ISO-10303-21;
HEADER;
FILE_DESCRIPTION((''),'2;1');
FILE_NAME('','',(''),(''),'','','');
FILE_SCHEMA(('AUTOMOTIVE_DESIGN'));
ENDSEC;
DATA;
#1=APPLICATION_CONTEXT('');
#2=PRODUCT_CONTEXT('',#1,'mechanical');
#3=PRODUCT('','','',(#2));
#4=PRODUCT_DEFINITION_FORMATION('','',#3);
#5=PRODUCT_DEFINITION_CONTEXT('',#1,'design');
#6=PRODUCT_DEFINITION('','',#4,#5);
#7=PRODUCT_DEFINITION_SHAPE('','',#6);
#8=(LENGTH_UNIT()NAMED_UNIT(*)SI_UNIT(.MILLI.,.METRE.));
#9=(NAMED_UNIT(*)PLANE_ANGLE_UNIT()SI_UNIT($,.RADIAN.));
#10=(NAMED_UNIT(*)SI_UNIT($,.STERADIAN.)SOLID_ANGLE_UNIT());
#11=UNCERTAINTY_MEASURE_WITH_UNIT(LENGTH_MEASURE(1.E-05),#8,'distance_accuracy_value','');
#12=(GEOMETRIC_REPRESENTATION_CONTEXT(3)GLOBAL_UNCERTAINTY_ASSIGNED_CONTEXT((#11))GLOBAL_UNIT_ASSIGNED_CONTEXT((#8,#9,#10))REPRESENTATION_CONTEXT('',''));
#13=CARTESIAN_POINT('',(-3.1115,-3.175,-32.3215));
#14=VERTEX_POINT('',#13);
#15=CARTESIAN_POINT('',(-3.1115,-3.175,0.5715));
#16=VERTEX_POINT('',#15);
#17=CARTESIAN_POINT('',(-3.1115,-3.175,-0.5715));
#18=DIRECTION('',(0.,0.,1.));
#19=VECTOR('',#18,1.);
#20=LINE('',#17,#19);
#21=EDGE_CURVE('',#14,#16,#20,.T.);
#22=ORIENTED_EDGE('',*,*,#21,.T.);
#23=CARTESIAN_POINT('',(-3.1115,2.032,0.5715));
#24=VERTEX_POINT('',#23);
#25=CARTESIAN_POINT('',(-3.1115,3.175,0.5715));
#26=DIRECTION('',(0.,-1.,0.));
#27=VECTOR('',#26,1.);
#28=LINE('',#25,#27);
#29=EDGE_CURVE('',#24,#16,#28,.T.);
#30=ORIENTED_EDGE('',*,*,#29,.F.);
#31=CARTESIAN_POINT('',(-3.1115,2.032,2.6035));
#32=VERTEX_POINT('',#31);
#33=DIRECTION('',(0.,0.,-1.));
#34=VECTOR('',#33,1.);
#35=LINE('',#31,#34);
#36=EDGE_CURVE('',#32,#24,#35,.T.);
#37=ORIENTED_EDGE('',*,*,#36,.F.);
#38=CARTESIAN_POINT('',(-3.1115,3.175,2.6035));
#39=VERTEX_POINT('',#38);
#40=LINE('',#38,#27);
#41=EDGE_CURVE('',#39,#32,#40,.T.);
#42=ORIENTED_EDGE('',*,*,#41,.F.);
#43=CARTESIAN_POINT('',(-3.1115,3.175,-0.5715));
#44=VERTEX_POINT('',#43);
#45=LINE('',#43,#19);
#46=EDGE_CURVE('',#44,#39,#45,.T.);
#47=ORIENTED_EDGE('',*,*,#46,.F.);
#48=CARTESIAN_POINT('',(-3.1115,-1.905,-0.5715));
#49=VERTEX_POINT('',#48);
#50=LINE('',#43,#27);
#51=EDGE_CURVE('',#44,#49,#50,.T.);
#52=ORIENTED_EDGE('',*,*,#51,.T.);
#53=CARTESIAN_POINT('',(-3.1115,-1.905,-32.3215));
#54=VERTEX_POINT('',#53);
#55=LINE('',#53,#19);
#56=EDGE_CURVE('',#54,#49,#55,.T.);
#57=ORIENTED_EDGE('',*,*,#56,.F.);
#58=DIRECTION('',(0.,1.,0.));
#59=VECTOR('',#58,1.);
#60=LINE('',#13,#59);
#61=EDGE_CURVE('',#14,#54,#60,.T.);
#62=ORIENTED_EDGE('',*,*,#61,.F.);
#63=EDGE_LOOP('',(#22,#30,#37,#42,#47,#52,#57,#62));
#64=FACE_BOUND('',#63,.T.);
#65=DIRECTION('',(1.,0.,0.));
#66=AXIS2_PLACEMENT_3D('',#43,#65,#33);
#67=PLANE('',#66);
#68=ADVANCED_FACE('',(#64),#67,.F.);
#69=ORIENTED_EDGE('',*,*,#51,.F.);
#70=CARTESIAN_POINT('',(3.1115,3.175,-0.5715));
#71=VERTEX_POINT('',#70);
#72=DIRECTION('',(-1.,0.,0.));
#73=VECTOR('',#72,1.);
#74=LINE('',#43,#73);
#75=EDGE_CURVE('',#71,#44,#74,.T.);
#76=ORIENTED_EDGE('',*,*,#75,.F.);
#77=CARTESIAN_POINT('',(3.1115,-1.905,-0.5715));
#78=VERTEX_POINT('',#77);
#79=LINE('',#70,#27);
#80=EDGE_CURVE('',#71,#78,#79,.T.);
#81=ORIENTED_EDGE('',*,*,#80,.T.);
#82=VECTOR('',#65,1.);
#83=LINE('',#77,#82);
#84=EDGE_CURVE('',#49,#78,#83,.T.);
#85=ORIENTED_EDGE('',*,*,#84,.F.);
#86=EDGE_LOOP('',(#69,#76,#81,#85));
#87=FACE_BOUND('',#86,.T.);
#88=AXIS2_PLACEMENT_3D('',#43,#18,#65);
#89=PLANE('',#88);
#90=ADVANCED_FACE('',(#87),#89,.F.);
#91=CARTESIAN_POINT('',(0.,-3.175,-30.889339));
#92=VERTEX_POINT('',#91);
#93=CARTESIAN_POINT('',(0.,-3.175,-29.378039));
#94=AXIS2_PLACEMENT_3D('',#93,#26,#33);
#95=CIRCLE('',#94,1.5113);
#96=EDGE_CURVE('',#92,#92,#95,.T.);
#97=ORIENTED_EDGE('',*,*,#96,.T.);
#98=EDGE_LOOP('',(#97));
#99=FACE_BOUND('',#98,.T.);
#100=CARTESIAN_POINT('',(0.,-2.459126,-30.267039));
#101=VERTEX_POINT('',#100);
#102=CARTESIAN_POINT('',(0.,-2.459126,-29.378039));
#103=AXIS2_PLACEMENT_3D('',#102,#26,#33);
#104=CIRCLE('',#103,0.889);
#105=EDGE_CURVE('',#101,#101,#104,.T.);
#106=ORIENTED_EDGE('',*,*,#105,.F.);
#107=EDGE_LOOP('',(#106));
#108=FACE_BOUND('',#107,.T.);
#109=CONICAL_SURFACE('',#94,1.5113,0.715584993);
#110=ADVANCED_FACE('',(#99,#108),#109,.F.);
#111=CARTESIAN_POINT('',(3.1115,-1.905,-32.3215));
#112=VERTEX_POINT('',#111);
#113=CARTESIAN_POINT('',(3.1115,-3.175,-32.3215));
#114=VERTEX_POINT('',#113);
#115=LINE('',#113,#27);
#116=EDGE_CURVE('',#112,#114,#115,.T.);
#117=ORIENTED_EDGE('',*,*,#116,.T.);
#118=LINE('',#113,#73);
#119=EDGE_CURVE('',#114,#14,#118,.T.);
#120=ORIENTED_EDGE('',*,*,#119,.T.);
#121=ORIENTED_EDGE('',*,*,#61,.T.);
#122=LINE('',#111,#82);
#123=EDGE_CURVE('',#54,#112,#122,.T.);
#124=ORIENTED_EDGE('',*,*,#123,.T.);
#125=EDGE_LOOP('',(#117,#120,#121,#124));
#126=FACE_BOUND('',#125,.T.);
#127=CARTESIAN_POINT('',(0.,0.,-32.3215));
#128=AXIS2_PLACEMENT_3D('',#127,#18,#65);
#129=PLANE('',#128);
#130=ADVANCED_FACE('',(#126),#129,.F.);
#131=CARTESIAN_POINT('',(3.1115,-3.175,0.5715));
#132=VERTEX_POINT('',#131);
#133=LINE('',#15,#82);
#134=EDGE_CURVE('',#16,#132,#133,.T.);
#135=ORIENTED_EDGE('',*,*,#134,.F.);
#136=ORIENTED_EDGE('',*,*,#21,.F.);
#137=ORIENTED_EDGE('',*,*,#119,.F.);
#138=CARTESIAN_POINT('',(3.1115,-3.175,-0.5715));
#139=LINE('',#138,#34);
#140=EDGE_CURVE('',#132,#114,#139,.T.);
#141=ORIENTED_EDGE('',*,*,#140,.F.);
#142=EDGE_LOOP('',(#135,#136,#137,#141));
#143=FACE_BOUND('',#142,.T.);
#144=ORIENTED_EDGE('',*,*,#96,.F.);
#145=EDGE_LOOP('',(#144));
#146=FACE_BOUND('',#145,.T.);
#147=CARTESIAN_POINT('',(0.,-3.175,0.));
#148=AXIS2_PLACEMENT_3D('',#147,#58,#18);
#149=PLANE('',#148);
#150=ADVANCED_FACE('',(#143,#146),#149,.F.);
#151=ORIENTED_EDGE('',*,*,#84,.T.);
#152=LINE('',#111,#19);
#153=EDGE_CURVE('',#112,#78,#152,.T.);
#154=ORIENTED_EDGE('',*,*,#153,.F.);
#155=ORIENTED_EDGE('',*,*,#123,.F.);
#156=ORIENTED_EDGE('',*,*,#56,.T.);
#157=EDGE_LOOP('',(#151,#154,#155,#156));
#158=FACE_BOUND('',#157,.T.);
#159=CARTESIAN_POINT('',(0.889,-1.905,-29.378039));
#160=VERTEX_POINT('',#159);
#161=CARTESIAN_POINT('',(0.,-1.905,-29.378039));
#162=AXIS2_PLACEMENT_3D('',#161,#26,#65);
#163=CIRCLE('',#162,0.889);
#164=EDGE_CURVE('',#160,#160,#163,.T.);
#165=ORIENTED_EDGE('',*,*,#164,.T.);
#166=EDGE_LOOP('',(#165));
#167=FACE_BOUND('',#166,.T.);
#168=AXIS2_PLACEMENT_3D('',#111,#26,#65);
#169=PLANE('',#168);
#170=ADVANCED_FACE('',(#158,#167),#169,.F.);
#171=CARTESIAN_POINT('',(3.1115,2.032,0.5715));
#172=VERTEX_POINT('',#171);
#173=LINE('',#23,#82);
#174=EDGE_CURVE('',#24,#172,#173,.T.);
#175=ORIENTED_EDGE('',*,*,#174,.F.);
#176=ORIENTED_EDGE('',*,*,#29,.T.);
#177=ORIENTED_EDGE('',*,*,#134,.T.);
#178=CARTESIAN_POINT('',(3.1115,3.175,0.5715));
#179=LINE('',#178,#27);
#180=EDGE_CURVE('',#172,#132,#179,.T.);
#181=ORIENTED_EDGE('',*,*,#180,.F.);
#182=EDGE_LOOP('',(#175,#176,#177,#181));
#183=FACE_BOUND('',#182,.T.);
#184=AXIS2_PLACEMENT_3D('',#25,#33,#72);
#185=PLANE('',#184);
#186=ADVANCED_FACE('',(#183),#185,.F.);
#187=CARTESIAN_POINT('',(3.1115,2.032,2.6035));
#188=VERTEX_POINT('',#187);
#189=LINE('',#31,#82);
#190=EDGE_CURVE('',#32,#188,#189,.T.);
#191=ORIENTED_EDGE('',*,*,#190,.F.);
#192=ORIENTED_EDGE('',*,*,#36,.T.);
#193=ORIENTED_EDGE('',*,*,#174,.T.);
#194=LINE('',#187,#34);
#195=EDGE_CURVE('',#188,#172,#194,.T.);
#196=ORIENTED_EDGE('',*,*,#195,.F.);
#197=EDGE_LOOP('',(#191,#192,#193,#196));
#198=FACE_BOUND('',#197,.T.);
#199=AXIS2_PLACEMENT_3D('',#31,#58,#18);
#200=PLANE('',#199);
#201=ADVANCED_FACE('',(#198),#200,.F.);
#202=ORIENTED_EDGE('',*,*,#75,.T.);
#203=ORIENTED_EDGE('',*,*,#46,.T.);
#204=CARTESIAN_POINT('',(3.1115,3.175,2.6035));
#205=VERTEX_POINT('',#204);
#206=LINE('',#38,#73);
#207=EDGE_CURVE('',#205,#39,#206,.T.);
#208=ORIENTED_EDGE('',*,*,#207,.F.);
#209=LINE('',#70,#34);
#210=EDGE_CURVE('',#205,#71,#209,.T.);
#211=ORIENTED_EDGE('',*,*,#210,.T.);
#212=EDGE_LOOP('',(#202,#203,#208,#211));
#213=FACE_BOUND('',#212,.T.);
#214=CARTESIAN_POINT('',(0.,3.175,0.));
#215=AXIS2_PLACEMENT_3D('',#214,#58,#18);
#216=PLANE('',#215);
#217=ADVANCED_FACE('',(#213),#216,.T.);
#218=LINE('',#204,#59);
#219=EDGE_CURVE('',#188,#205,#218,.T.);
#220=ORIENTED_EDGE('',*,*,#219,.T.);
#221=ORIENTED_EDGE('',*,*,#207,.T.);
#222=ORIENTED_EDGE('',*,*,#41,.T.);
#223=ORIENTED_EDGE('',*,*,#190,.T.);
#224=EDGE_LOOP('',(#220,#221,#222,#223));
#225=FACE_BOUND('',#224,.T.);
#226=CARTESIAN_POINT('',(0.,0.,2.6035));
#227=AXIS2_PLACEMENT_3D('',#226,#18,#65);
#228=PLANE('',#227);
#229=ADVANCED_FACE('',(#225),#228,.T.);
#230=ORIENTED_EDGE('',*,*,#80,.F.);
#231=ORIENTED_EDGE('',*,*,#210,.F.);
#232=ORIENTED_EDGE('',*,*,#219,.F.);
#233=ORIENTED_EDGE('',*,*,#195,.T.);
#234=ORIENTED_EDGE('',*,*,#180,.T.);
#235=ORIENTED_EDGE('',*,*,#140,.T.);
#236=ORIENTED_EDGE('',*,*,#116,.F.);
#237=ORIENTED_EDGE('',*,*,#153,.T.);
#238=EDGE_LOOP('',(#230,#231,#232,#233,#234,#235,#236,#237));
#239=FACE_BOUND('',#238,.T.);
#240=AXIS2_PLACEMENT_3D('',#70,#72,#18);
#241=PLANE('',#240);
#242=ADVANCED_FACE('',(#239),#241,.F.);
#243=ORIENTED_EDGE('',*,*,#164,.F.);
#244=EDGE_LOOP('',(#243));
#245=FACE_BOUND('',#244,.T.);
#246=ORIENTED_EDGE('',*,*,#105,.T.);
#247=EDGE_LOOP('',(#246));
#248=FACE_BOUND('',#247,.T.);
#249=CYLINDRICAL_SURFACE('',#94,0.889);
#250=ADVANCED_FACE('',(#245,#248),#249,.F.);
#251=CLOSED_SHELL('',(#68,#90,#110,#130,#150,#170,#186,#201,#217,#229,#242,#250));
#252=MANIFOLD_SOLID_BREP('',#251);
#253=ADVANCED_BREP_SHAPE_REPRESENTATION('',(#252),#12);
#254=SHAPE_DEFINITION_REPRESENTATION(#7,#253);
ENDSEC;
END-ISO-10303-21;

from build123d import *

# Parameters (mm, degrees)
SKETCH1_W                                      = 6.223
SKETCH1_H                                      = 1.143
BOSS_EXTRUDE1_DEPTH                            = 3.175
SKETCH2_W                                      = 6.223
SKETCH2_H                                      = 1.143
BOSS_EXTRUDE2_DEPTH                            = 2.032
SKETCH3_W                                      = 6.223
SKETCH3_H                                      = 1.27
BOSS_EXTRUDE3_DEPTH                            = 31.75
CSK_FOR_0_FLAT_HEAD_MACHINE_SCREW1_D           = 1.778
CSK_FOR_0_FLAT_HEAD_MACHINE_SCREW1_DEPTH       = 4.572
CSK_FOR_0_FLAT_HEAD_MACHINE_SCREW1_CSINK_D     = 3.0226
CSK_FOR_0_FLAT_HEAD_MACHINE_SCREW1_CSINK_ANGLE = 82
CSK_FOR_0_FLAT_HEAD_MACHINE_SCREW1_TIP         = 0.53416509


with BuildPart() as part:
    # Sketch1 → Boss-Extrude1 (new, symmetric)
    with BuildSketch(Plane(origin=(0, 0, 0), x_dir=(1, 0, 0), z_dir=(0, 1, 0))):
        Rectangle(SKETCH1_W, SKETCH1_H)
    extrude(amount=BOSS_EXTRUDE1_DEPTH, both=True)

    # Sketch2 → Boss-Extrude2 (add)
    with BuildSketch(Plane.XY.offset(0.5715)):
        with Locations((0, 2.6035)):
            Rectangle(SKETCH2_W, SKETCH2_H)
    extrude(amount=BOSS_EXTRUDE2_DEPTH)

    # Sketch3 → Boss-Extrude3 (add)
    with BuildSketch(Plane(origin=(0, 0, -0.5715), x_dir=(-1, 0, 0), z_dir=(0, 0, -1))):
        with Locations((0, -2.54)):
            Rectangle(SKETCH3_W, SKETCH3_H)
    extrude(amount=BOSS_EXTRUDE3_DEPTH)

    # CSK for #0 Flat Head Machine Screw1
    with Locations(Plane(origin=(0, -3.175, 0), x_dir=(-1, 0, 0), z_dir=(0, -1, 0))):
        with Locations((0, 29.378038883)):
            CounterSinkHole(CSK_FOR_0_FLAT_HEAD_MACHINE_SCREW1_D / 2, CSK_FOR_0_FLAT_HEAD_MACHINE_SCREW1_CSINK_D / 2, depth=CSK_FOR_0_FLAT_HEAD_MACHINE_SCREW1_DEPTH, counter_sink_angle=CSK_FOR_0_FLAT_HEAD_MACHINE_SCREW1_CSINK_ANGLE)
            with Locations((0, 0, -(CSK_FOR_0_FLAT_HEAD_MACHINE_SCREW1_DEPTH + CSK_FOR_0_FLAT_HEAD_MACHINE_SCREW1_TIP / 2))):  # 118° drill point
                Cone(0, CSK_FOR_0_FLAT_HEAD_MACHINE_SCREW1_D / 2, CSK_FOR_0_FLAT_HEAD_MACHINE_SCREW1_TIP, mode=Mode.SUBTRACT)


solid = part.part
